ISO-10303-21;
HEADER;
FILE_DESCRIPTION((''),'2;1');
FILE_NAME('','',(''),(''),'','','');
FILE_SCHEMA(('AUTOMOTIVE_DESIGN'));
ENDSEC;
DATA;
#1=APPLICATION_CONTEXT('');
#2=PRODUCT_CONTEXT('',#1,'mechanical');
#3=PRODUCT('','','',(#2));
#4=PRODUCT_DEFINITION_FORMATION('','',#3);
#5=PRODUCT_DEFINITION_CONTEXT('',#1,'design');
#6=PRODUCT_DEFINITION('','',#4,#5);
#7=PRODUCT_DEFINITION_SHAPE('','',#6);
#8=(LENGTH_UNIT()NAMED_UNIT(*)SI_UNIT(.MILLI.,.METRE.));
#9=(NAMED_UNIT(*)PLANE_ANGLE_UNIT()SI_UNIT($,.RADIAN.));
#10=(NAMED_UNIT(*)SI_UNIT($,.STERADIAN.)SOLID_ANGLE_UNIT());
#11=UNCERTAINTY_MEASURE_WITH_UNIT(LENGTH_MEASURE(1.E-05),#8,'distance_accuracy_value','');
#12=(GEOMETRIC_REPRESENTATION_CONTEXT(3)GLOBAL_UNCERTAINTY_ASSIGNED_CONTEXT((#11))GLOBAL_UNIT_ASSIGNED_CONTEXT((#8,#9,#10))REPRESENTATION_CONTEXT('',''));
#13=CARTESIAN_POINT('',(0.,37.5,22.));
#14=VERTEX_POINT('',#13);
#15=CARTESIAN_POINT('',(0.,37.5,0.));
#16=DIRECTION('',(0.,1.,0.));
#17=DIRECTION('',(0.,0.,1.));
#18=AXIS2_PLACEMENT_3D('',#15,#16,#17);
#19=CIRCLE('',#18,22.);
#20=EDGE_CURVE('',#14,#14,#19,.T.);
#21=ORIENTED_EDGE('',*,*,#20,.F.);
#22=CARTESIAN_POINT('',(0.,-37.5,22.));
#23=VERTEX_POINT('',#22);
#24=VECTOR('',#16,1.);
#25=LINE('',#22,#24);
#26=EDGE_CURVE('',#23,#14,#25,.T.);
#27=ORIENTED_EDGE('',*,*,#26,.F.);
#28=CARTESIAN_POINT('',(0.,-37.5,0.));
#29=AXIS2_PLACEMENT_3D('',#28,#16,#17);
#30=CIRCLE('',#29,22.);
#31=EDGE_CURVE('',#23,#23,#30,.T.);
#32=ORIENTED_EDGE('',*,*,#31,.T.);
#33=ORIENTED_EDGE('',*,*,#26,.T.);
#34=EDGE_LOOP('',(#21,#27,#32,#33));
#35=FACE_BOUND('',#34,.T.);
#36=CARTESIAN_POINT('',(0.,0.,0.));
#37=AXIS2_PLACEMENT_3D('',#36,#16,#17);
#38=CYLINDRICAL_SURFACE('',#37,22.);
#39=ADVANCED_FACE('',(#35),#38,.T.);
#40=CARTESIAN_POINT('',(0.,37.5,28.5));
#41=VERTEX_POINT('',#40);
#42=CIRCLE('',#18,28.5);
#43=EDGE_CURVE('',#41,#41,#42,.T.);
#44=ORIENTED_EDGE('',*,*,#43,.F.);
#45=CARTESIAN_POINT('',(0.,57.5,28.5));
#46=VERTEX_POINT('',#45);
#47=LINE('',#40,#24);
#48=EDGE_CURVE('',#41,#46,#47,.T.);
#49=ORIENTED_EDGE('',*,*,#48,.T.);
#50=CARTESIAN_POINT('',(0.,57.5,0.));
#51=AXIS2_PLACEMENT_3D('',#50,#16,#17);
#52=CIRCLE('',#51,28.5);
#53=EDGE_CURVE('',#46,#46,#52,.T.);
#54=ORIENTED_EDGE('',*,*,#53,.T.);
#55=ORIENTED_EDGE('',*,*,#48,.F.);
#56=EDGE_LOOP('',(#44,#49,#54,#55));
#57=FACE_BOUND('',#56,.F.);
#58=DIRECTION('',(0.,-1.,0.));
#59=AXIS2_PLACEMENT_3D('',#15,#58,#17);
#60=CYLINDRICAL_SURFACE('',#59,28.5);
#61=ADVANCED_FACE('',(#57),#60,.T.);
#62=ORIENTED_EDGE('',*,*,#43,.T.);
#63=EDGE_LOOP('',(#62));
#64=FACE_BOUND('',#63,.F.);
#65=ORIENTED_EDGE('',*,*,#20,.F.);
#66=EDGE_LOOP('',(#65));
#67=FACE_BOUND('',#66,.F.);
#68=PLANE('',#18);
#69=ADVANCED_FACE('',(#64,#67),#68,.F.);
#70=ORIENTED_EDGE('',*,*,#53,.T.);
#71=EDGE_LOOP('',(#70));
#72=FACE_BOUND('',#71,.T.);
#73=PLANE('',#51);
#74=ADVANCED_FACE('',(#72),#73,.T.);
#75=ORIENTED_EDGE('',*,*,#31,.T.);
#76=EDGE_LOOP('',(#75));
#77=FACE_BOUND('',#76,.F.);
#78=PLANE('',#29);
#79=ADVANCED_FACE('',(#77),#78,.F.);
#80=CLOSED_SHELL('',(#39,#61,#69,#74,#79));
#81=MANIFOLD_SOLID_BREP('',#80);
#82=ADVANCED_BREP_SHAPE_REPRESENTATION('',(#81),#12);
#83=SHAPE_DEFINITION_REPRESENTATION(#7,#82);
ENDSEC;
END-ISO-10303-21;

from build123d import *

# Parameters (mm, degrees)
SKETCH1_R           = 22
BOSS_EXTRUDE1_DEPTH = 37.5
SKETCH4_R           = 28.5
BOSS_EXTRUDE2_DEPTH = 20


with BuildPart() as part:
    # Sketch1 → Boss-Extrude1 (new body, symmetric)
    with BuildSketch(Plane(origin=(0, 0, 0), x_dir=(1, 0, 0), z_dir=(0, 1, 0))):
        with Locations(Location((0, 0, 0), (0, 0, 270))):  # turned: the seam where the file's is
            Circle(SKETCH1_R)
    extrude(amount=BOSS_EXTRUDE1_DEPTH, both=True)

    # Sketch4 → Boss-Extrude2 (add)
    with BuildSketch(Plane(origin=(0, 37.5, 0), x_dir=(1, 0, 0), z_dir=(0, 1, 0))):
        with Locations(Location((0, 0, 0), (0, 0, 270))):  # turned: the seam where the file's is
            Circle(SKETCH4_R)
    extrude(amount=BOSS_EXTRUDE2_DEPTH)


solid = part.part
